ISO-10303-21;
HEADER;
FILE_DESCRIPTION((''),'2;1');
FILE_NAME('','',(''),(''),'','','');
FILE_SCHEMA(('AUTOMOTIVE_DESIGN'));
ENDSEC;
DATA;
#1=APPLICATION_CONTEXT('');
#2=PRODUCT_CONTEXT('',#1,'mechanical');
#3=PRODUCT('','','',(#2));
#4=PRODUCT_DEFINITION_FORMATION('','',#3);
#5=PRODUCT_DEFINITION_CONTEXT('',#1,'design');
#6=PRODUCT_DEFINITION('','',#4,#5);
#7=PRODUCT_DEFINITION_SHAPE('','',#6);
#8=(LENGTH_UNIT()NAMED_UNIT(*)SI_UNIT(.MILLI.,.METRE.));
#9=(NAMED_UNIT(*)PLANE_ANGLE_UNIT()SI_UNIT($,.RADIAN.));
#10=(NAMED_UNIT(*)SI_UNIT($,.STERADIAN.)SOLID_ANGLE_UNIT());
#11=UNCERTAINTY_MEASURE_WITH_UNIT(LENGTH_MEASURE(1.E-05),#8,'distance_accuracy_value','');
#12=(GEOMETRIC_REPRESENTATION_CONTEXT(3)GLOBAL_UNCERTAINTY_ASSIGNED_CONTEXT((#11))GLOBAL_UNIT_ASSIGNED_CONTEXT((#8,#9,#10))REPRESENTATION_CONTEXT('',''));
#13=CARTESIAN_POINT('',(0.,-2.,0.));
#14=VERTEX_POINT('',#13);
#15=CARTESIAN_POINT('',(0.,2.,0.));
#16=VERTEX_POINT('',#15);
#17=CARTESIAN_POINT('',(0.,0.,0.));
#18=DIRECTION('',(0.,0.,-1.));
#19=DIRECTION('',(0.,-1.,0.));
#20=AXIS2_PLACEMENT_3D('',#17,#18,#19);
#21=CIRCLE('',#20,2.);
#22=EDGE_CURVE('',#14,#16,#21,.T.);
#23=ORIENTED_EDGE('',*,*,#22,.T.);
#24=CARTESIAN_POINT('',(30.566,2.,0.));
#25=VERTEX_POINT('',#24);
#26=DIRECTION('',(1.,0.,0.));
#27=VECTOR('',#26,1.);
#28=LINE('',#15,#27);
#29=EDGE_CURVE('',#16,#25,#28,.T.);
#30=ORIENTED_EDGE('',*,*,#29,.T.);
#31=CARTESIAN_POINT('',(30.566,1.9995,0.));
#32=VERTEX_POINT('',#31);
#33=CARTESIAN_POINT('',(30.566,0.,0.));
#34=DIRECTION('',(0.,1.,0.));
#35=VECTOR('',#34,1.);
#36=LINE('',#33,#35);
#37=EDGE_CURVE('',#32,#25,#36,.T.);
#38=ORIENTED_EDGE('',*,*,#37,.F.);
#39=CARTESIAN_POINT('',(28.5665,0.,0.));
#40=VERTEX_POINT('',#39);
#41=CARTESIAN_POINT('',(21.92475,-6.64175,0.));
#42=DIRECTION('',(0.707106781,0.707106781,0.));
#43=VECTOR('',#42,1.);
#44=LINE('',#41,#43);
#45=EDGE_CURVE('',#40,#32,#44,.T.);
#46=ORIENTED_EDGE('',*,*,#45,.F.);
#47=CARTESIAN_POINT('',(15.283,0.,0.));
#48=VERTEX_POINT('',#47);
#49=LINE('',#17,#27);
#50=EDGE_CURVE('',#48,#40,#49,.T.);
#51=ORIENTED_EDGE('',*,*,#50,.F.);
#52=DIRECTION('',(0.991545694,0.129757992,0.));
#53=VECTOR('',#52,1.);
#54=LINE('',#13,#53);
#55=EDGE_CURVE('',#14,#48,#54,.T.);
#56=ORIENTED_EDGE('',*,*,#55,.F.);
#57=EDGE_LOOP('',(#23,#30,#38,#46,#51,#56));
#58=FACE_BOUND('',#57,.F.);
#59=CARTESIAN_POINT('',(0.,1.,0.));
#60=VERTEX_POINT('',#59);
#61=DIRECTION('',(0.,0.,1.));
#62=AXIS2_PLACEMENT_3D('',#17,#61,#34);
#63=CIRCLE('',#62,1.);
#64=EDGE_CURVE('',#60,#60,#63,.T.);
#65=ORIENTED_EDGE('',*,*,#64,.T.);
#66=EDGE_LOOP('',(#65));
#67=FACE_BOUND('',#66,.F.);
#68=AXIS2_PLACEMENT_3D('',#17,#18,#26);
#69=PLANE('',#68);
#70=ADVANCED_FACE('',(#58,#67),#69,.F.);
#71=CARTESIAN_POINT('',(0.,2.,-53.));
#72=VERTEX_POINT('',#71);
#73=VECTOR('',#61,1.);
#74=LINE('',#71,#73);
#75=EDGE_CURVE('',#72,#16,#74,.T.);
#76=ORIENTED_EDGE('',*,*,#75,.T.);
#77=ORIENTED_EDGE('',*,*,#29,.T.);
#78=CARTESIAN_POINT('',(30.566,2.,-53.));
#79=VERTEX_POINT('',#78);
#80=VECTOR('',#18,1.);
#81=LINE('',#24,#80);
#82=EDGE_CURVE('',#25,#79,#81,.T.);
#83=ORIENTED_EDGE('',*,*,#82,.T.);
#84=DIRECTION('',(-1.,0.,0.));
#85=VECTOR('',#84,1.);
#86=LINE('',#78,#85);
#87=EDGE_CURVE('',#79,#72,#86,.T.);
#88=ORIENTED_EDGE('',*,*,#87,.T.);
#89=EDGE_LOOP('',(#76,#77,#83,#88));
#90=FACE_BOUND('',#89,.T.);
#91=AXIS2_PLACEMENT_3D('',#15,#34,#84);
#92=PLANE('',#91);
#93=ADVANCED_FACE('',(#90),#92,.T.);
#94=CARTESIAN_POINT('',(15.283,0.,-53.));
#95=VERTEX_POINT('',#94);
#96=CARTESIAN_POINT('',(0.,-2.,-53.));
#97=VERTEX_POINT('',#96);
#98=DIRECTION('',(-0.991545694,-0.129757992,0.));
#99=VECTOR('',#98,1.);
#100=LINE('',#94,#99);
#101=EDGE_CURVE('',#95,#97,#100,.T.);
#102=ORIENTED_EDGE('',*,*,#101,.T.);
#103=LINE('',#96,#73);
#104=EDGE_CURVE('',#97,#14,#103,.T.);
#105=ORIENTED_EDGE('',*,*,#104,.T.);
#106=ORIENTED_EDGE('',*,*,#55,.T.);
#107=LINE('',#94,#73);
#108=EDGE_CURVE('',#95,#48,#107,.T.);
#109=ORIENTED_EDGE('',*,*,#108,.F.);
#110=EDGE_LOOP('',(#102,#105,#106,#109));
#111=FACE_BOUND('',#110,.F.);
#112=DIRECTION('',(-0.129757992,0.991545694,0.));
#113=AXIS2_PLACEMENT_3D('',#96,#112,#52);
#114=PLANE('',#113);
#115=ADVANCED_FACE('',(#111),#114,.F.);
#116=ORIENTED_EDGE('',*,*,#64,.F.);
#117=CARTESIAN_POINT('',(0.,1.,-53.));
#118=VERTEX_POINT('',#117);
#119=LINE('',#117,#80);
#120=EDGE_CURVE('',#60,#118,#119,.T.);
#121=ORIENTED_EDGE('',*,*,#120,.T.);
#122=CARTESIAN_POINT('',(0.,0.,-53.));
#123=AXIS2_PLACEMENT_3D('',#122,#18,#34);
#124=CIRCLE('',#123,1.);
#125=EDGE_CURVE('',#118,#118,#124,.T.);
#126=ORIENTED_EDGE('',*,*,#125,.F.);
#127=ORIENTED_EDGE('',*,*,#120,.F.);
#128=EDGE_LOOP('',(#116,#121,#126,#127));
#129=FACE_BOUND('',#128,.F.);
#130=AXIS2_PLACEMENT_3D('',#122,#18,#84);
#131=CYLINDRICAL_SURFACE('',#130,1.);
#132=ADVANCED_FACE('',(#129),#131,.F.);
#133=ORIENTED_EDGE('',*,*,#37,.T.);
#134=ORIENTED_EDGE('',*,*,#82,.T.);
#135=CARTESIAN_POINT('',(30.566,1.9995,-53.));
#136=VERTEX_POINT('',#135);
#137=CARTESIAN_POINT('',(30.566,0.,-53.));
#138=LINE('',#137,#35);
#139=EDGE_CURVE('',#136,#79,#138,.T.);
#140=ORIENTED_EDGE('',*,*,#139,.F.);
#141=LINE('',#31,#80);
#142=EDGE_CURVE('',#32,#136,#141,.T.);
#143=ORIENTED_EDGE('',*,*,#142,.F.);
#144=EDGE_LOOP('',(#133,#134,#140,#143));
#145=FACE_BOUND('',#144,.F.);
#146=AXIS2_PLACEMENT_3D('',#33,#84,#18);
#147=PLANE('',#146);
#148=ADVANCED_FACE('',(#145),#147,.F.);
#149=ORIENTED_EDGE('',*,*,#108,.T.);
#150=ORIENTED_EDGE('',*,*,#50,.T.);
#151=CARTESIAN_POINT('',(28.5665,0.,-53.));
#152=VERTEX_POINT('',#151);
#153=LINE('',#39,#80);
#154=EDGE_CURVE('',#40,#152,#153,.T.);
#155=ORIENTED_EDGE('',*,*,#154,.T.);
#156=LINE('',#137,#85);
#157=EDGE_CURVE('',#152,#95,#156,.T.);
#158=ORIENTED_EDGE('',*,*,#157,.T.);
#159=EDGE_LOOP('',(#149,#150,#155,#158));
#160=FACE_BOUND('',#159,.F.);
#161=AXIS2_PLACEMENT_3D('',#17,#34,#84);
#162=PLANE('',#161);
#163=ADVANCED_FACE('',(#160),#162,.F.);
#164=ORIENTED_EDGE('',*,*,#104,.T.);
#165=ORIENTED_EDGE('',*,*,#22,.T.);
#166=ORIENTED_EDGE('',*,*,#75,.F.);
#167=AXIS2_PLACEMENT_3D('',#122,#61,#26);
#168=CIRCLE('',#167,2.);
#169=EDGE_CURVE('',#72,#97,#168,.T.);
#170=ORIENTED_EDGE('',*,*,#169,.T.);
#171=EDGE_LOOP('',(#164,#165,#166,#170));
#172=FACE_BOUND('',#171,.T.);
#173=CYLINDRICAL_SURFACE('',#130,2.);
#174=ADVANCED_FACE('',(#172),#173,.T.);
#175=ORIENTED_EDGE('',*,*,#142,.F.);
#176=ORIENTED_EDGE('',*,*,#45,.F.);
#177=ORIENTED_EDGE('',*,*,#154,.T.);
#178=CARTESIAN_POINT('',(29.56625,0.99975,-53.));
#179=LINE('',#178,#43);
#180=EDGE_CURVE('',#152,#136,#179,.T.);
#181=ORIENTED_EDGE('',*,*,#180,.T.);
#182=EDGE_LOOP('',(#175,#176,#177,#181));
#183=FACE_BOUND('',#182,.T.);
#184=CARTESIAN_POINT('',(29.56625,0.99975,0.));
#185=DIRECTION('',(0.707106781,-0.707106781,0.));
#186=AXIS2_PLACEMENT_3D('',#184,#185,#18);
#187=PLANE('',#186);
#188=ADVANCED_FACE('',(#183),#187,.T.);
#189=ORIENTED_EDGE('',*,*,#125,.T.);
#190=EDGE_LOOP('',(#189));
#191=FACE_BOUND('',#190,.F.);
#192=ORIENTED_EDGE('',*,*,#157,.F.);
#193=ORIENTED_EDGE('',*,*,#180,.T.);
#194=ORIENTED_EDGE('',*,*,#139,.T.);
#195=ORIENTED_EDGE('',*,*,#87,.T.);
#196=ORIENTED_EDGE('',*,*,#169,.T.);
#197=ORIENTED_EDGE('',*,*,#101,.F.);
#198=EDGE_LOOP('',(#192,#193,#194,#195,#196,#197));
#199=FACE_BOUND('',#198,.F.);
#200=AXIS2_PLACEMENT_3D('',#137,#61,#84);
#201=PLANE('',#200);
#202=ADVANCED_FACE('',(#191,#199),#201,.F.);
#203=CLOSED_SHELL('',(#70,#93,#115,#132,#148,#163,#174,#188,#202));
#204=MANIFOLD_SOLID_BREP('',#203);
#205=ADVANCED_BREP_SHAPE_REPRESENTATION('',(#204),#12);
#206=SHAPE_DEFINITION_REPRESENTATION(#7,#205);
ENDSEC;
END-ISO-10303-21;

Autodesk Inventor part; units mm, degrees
ref_plane "YZ Plane" through (0, 0, 0) normal (1, 0, 0) x (0, 1, 0)
ref_plane "XZ Plane" through (0, 0, 0) normal (0, 1, 0) x (-1, 0, 0)
ref_plane "XY Plane" through (0, 0, 0) normal (0, 0, 1) x (1, 0, 0)
sketch "Sketch1" plane through (0, 0, 0) normal (0, 1, 0) x (-1, 0, 0)
  line L0 (0, 0) -> (-30.566, 0)
  line L1 (-30.566, 0) -> (-30.566, -53)
  line L2 (-30.566, -53) -> (0, -53)
  line L3 (0, -53) -> (0, 0)
  dimension "d0" = 30.566
  dimension "d1" = 53
extrude "Extrusion1" add sketch "Sketch1" along normal blind 2
ref_plane "Work Plane1" through (30.566, 0, -23) normal (0, 0, -1) x (-1, 0, 0)
sketch "Sketch2" plane through (30.566, 0, -23) normal (0, 0, -1) x (-1, 0, 0)
  point P0 (30.566, 0)
sketch "Sketch3" plane through (30.566, 0, -53) normal (0, 0, -1) x (-1, 0, 0)
  circle A0 centre (30.566, 0) radius 1
  circle A1 centre (30.566, 0) radius 2
  line L0 (30.566, -2) -> (15.283, 0)
  line L1 (15.283, 0) -> (28.566, 0)
  line L2 (0, 0) -> (30.566, 0) projected
  dimension "d5" = 2
  dimension "d6" = 4
extrude "Extrusion2" add sketch "Sketch3" against normal blind 53 contours A1 L0 | A1 L0 L1 picked at (30.3543, -1.6418)
sketch "Sketch4" plane through (30.566, 0, -53) normal (0, 0, -1) x (-1, 0, 0)
  arc A0 (29.566, 0) -> (30.566, 1) centre (30.566, 0) ccw projected
  circle A1 centre (30.566, 0) radius 1
  point P0 (30.566, 1)
extrude "Extrusion3" cut sketch "Sketch4" against normal blind 53
chamfer "Chamfer2" distance 2 angle 45 1 edges at (30.566, 0, -26.5)
equation "\"BendRadius\" = Thickness"
equation "\"BendReliefWidth\" = Thickness"
equation "\"BendReliefDepth\" = 0.5 * Thickness"
equation "\"CornerReliefSize\" = 4 * Thickness"
equation "\"MinimumRemnant\" = 2 * Thickness"
equation "\"TransitionRadius\" = BendRadius"
equation "\"JacobiRadiusSize\" = BendRadius"
equation "\"GapSize\" = Thickness"
equation "\"Thickness\" = 0.5"
